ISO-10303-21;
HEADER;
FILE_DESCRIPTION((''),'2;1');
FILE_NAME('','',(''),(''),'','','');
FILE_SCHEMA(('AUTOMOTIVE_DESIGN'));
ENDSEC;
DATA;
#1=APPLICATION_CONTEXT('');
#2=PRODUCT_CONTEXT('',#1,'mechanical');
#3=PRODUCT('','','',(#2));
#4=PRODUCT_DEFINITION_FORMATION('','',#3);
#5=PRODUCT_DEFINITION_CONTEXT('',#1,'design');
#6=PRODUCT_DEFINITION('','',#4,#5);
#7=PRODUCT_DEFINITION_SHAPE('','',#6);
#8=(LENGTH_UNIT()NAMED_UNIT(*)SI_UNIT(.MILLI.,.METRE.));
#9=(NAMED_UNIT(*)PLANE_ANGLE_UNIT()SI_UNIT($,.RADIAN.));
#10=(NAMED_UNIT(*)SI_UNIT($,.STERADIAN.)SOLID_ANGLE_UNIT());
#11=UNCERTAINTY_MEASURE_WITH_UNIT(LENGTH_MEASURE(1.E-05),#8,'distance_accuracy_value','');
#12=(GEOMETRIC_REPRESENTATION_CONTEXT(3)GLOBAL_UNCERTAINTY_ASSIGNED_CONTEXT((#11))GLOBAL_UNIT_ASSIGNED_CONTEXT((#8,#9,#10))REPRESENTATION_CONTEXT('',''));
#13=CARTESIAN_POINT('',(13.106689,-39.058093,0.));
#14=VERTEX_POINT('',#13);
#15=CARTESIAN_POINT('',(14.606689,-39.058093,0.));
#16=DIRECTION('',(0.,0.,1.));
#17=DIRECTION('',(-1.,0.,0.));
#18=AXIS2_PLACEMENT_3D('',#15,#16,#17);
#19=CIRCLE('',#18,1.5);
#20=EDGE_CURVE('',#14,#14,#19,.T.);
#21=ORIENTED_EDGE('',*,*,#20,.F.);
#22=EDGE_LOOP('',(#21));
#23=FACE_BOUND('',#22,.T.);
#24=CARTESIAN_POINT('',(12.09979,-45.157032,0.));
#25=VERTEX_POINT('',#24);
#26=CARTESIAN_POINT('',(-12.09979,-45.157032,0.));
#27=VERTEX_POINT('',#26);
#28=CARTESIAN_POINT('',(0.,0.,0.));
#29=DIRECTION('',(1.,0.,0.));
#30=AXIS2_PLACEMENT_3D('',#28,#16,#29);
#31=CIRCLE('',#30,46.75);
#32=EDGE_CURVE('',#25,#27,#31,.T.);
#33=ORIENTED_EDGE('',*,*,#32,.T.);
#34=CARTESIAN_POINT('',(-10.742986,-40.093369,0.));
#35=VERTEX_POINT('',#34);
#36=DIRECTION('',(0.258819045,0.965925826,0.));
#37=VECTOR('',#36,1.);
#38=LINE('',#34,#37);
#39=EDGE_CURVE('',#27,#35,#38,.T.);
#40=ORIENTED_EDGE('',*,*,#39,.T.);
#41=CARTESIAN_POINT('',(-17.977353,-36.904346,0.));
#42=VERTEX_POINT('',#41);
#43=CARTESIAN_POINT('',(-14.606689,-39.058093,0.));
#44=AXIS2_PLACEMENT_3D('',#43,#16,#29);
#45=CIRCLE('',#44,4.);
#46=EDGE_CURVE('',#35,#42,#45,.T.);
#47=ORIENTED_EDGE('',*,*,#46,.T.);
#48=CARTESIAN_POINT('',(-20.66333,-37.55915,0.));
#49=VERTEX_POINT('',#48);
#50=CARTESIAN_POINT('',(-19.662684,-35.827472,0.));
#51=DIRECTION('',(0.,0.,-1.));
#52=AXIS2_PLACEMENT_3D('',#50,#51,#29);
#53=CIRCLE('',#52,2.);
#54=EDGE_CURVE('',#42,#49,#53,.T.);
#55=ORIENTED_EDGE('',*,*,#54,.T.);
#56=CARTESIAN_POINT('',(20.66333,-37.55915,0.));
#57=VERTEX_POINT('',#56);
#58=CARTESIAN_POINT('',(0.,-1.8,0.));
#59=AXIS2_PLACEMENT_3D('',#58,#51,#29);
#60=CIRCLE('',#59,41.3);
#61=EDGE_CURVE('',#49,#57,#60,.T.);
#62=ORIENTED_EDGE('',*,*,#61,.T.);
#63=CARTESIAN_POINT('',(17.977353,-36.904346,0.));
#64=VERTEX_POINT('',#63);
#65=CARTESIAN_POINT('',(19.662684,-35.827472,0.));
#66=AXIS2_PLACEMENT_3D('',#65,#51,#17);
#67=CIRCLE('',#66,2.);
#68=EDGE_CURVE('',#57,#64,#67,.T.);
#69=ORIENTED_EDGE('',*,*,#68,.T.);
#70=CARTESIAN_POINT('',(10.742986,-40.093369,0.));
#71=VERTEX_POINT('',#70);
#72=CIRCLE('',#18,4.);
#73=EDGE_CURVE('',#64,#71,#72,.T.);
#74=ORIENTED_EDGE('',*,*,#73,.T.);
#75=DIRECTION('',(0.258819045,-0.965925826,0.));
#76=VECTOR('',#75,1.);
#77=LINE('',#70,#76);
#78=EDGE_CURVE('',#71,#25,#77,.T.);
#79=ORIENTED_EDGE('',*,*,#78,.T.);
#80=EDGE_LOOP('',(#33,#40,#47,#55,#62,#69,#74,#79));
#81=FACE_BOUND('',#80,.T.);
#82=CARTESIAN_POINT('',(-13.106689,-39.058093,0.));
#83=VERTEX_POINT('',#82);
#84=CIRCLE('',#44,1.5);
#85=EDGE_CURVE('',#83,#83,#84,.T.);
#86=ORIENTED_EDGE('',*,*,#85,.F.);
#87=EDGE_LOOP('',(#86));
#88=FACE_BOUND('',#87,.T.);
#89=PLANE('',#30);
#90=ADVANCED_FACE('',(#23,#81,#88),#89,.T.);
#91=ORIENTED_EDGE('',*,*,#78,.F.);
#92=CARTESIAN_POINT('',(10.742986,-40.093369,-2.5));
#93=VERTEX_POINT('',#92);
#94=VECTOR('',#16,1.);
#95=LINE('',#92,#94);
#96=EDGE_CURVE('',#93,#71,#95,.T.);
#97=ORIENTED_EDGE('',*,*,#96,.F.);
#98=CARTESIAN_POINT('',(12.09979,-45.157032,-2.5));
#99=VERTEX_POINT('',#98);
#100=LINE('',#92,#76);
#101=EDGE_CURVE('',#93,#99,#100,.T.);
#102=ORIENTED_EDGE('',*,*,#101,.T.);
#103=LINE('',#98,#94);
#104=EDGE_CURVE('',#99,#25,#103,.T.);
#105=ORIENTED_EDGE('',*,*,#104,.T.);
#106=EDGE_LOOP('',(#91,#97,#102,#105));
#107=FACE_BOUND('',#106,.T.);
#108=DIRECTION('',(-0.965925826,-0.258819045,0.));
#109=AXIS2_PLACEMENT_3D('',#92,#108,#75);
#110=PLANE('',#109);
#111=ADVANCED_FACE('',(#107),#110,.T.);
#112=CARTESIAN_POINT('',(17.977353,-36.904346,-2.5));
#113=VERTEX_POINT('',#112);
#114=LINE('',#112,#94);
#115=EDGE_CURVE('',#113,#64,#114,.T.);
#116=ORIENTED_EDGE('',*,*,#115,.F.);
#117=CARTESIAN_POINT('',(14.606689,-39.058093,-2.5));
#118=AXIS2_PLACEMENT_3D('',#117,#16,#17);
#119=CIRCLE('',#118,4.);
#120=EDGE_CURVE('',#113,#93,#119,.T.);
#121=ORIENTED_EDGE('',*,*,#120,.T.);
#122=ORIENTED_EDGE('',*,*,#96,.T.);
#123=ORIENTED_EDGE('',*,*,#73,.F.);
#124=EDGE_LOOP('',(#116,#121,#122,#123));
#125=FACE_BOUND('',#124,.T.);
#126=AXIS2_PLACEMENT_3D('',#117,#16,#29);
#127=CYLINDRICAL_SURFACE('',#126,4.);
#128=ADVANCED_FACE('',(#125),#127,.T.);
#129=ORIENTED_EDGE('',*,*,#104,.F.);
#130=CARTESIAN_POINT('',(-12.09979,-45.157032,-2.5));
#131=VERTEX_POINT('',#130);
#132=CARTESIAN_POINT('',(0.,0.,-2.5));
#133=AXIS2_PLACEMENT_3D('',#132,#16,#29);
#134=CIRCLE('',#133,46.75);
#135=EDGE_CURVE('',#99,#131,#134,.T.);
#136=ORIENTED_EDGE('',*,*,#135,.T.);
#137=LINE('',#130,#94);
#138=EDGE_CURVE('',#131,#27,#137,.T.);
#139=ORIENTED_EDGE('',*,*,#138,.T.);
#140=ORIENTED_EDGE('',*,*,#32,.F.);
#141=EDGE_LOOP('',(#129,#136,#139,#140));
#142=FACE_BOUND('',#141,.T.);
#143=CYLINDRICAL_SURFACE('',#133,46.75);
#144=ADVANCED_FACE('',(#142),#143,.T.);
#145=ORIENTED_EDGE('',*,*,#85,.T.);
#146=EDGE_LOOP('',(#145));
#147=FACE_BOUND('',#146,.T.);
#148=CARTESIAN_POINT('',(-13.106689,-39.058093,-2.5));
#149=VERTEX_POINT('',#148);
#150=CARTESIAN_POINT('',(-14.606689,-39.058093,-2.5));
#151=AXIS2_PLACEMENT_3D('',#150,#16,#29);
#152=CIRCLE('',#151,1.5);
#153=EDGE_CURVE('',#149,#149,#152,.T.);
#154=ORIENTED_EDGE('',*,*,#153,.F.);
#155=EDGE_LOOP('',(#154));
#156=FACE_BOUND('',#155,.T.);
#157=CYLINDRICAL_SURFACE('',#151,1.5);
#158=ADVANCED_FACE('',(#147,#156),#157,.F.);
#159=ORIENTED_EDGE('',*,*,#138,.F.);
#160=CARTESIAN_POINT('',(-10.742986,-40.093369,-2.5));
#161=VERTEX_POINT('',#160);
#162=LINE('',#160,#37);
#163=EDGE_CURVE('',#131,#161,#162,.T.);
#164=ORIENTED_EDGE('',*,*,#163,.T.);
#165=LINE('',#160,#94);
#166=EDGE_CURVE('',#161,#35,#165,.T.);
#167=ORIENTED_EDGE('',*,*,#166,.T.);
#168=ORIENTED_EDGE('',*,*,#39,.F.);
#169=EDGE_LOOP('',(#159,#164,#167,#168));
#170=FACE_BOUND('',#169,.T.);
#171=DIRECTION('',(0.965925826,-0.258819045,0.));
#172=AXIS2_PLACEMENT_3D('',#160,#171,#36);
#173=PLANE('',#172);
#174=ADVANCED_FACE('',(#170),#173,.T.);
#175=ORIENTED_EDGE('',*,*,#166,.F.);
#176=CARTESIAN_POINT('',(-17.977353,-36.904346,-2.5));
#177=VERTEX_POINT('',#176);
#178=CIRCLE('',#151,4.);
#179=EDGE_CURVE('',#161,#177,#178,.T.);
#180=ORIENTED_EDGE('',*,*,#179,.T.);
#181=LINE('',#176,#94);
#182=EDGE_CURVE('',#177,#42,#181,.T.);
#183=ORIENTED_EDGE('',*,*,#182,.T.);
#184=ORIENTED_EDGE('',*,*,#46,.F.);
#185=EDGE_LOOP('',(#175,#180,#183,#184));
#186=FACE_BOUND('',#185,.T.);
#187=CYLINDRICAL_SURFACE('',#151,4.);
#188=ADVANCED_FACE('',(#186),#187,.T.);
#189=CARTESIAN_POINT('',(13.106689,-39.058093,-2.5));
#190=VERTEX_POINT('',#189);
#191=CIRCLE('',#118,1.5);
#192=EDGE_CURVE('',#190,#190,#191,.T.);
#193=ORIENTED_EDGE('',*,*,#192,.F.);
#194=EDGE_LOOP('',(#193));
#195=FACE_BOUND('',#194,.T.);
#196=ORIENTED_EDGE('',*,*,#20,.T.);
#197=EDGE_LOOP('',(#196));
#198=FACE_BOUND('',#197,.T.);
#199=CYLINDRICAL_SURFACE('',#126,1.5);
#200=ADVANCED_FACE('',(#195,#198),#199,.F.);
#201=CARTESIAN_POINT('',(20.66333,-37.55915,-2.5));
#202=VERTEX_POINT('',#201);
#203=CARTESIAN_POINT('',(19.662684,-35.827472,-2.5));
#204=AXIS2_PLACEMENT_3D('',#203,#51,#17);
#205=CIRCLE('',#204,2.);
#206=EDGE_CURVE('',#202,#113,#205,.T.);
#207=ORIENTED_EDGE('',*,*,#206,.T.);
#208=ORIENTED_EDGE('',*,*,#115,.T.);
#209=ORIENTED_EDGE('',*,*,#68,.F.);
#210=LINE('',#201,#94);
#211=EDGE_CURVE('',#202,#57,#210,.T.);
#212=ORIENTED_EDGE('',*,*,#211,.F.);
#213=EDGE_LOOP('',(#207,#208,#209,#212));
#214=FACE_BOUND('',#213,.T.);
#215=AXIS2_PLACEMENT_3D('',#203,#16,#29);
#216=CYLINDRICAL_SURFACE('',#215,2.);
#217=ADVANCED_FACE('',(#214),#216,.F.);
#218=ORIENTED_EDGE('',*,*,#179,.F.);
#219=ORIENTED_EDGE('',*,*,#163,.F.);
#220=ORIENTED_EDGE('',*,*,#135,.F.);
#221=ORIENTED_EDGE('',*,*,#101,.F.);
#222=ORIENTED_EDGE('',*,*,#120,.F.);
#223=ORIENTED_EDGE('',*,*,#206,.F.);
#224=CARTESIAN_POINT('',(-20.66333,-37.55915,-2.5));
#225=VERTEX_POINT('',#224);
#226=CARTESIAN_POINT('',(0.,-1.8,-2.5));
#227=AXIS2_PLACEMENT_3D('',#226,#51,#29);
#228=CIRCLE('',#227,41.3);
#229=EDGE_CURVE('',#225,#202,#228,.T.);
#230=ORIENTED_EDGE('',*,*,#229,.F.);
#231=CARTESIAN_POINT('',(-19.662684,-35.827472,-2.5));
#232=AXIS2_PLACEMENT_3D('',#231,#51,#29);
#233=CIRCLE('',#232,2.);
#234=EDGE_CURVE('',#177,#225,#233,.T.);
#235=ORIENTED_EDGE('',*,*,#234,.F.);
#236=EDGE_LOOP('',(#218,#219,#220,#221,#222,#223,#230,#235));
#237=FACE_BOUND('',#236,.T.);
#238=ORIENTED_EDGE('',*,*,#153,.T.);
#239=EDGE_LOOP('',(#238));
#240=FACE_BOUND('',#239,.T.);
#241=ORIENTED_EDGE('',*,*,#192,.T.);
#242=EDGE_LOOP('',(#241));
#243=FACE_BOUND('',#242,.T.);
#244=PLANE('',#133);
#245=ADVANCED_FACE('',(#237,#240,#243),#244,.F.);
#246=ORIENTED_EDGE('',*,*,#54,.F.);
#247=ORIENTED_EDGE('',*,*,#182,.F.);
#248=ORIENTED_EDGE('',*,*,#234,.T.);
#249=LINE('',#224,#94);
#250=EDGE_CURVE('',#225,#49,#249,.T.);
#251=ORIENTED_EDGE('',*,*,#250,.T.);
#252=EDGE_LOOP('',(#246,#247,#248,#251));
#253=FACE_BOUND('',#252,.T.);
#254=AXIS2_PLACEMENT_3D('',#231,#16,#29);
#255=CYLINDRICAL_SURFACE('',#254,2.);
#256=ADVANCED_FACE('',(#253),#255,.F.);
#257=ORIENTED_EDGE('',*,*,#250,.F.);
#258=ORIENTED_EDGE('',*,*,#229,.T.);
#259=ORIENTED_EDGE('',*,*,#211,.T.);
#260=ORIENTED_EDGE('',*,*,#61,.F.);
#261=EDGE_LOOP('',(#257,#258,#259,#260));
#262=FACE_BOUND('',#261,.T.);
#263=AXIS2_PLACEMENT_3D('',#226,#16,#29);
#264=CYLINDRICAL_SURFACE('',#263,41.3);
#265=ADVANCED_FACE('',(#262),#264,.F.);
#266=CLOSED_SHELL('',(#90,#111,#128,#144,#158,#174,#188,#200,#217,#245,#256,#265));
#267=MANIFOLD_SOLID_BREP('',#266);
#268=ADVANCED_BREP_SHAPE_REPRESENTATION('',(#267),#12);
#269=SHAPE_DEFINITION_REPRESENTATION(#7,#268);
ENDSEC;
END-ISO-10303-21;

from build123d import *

# Parameters (mm, degrees)
SKETCH1_R  = 1.5
BODY_DEPTH = 2.5


with BuildPart() as part:
    # Sketch1 → Body (new body)
    with BuildSketch(Plane.XY):
        with BuildLine():
            Line((10.7429859, -40.093369202), (12.099790359, -45.157032379))
            ThreePointArc((12.099790359, -45.157032379), (0, 46.75), (-12.099790359, -45.157032379))
            Line((-12.099790359, -45.157032379), (-10.7429859, -40.093369202))
            ThreePointArc((-10.7429859, -40.093369202), (-12.9932333, -35.397934549), (-17.977352649, -36.904345602))
            ThreePointArc((-17.977352649, -36.904345602), (-19.18898515, -37.770564542), (-20.663329885, -37.559149851))
            ThreePointArc((-20.663329885, -37.559149851), (0, 39.5), (20.663329885, -37.559149851))
            ThreePointArc((20.663329885, -37.559149851), (19.18898515, -37.770564542), (17.977352649, -36.904345602))
            ThreePointArc((17.977352649, -36.904345602), (12.9932333, -35.397934549), (10.7429859, -40.093369202))
        make_face()
        with Locations(Location((14.606689205, -39.058093022, 0), (0, 0, 180))):
            Circle(SKETCH1_R, mode=Mode.SUBTRACT)
        with Locations((-14.606689205, -39.058093022)):
            Circle(SKETCH1_R, mode=Mode.SUBTRACT)
    extrude(amount=-BODY_DEPTH)


solid = part.part
